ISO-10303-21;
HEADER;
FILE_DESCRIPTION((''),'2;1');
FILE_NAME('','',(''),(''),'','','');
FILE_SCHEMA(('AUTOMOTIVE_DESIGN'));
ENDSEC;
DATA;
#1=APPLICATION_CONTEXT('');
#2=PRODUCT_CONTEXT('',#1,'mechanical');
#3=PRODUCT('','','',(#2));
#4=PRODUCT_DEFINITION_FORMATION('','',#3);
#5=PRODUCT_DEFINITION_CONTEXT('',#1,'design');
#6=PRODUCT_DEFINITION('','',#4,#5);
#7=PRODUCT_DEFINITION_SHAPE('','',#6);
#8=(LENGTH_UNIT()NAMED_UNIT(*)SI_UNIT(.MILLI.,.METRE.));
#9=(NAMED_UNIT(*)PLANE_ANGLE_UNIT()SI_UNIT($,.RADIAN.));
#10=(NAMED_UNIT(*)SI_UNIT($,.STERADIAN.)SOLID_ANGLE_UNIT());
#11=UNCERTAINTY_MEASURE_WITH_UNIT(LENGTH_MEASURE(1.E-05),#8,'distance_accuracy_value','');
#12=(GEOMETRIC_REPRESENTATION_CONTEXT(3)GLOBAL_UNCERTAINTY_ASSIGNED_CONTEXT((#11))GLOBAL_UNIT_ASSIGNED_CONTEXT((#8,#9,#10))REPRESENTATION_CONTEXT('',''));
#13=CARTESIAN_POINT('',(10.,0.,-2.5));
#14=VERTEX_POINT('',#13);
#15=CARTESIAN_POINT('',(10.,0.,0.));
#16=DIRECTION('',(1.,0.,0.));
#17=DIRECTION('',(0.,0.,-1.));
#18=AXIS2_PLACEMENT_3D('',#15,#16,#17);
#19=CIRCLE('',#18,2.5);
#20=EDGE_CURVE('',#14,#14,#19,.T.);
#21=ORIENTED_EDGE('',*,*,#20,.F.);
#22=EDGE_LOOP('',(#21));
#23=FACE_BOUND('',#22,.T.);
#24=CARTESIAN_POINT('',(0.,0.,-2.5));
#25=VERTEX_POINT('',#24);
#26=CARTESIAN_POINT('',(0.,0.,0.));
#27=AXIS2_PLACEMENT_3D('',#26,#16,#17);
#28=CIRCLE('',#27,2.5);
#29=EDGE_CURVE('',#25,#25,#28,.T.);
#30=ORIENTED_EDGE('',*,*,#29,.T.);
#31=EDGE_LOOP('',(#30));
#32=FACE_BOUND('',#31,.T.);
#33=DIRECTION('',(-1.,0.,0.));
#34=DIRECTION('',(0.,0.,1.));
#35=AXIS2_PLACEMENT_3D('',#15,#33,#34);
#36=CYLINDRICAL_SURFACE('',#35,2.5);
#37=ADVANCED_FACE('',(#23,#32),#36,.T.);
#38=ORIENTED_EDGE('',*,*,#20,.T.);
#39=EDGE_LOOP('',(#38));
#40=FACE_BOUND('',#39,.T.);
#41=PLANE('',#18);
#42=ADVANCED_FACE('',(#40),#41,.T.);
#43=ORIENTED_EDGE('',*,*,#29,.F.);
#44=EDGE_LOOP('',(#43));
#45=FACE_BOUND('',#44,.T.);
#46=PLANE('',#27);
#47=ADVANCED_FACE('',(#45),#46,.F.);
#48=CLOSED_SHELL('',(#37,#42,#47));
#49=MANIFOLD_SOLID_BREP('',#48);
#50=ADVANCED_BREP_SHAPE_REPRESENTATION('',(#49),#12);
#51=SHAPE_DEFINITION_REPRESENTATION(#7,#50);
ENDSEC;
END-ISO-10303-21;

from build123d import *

# Parameters (mm, degrees)
SKETCH1_R      = 2.5
EXTRUDE1_DEPTH = 10


with BuildPart() as part:
    # Sketch1 → Extrude1 (new body)
    with BuildSketch(Plane(origin=(0, 0, 0), x_dir=(0, 0, -1), z_dir=(1, 0, 0))):
        Circle(SKETCH1_R)
    extrude(amount=EXTRUDE1_DEPTH)


solid = part.part
